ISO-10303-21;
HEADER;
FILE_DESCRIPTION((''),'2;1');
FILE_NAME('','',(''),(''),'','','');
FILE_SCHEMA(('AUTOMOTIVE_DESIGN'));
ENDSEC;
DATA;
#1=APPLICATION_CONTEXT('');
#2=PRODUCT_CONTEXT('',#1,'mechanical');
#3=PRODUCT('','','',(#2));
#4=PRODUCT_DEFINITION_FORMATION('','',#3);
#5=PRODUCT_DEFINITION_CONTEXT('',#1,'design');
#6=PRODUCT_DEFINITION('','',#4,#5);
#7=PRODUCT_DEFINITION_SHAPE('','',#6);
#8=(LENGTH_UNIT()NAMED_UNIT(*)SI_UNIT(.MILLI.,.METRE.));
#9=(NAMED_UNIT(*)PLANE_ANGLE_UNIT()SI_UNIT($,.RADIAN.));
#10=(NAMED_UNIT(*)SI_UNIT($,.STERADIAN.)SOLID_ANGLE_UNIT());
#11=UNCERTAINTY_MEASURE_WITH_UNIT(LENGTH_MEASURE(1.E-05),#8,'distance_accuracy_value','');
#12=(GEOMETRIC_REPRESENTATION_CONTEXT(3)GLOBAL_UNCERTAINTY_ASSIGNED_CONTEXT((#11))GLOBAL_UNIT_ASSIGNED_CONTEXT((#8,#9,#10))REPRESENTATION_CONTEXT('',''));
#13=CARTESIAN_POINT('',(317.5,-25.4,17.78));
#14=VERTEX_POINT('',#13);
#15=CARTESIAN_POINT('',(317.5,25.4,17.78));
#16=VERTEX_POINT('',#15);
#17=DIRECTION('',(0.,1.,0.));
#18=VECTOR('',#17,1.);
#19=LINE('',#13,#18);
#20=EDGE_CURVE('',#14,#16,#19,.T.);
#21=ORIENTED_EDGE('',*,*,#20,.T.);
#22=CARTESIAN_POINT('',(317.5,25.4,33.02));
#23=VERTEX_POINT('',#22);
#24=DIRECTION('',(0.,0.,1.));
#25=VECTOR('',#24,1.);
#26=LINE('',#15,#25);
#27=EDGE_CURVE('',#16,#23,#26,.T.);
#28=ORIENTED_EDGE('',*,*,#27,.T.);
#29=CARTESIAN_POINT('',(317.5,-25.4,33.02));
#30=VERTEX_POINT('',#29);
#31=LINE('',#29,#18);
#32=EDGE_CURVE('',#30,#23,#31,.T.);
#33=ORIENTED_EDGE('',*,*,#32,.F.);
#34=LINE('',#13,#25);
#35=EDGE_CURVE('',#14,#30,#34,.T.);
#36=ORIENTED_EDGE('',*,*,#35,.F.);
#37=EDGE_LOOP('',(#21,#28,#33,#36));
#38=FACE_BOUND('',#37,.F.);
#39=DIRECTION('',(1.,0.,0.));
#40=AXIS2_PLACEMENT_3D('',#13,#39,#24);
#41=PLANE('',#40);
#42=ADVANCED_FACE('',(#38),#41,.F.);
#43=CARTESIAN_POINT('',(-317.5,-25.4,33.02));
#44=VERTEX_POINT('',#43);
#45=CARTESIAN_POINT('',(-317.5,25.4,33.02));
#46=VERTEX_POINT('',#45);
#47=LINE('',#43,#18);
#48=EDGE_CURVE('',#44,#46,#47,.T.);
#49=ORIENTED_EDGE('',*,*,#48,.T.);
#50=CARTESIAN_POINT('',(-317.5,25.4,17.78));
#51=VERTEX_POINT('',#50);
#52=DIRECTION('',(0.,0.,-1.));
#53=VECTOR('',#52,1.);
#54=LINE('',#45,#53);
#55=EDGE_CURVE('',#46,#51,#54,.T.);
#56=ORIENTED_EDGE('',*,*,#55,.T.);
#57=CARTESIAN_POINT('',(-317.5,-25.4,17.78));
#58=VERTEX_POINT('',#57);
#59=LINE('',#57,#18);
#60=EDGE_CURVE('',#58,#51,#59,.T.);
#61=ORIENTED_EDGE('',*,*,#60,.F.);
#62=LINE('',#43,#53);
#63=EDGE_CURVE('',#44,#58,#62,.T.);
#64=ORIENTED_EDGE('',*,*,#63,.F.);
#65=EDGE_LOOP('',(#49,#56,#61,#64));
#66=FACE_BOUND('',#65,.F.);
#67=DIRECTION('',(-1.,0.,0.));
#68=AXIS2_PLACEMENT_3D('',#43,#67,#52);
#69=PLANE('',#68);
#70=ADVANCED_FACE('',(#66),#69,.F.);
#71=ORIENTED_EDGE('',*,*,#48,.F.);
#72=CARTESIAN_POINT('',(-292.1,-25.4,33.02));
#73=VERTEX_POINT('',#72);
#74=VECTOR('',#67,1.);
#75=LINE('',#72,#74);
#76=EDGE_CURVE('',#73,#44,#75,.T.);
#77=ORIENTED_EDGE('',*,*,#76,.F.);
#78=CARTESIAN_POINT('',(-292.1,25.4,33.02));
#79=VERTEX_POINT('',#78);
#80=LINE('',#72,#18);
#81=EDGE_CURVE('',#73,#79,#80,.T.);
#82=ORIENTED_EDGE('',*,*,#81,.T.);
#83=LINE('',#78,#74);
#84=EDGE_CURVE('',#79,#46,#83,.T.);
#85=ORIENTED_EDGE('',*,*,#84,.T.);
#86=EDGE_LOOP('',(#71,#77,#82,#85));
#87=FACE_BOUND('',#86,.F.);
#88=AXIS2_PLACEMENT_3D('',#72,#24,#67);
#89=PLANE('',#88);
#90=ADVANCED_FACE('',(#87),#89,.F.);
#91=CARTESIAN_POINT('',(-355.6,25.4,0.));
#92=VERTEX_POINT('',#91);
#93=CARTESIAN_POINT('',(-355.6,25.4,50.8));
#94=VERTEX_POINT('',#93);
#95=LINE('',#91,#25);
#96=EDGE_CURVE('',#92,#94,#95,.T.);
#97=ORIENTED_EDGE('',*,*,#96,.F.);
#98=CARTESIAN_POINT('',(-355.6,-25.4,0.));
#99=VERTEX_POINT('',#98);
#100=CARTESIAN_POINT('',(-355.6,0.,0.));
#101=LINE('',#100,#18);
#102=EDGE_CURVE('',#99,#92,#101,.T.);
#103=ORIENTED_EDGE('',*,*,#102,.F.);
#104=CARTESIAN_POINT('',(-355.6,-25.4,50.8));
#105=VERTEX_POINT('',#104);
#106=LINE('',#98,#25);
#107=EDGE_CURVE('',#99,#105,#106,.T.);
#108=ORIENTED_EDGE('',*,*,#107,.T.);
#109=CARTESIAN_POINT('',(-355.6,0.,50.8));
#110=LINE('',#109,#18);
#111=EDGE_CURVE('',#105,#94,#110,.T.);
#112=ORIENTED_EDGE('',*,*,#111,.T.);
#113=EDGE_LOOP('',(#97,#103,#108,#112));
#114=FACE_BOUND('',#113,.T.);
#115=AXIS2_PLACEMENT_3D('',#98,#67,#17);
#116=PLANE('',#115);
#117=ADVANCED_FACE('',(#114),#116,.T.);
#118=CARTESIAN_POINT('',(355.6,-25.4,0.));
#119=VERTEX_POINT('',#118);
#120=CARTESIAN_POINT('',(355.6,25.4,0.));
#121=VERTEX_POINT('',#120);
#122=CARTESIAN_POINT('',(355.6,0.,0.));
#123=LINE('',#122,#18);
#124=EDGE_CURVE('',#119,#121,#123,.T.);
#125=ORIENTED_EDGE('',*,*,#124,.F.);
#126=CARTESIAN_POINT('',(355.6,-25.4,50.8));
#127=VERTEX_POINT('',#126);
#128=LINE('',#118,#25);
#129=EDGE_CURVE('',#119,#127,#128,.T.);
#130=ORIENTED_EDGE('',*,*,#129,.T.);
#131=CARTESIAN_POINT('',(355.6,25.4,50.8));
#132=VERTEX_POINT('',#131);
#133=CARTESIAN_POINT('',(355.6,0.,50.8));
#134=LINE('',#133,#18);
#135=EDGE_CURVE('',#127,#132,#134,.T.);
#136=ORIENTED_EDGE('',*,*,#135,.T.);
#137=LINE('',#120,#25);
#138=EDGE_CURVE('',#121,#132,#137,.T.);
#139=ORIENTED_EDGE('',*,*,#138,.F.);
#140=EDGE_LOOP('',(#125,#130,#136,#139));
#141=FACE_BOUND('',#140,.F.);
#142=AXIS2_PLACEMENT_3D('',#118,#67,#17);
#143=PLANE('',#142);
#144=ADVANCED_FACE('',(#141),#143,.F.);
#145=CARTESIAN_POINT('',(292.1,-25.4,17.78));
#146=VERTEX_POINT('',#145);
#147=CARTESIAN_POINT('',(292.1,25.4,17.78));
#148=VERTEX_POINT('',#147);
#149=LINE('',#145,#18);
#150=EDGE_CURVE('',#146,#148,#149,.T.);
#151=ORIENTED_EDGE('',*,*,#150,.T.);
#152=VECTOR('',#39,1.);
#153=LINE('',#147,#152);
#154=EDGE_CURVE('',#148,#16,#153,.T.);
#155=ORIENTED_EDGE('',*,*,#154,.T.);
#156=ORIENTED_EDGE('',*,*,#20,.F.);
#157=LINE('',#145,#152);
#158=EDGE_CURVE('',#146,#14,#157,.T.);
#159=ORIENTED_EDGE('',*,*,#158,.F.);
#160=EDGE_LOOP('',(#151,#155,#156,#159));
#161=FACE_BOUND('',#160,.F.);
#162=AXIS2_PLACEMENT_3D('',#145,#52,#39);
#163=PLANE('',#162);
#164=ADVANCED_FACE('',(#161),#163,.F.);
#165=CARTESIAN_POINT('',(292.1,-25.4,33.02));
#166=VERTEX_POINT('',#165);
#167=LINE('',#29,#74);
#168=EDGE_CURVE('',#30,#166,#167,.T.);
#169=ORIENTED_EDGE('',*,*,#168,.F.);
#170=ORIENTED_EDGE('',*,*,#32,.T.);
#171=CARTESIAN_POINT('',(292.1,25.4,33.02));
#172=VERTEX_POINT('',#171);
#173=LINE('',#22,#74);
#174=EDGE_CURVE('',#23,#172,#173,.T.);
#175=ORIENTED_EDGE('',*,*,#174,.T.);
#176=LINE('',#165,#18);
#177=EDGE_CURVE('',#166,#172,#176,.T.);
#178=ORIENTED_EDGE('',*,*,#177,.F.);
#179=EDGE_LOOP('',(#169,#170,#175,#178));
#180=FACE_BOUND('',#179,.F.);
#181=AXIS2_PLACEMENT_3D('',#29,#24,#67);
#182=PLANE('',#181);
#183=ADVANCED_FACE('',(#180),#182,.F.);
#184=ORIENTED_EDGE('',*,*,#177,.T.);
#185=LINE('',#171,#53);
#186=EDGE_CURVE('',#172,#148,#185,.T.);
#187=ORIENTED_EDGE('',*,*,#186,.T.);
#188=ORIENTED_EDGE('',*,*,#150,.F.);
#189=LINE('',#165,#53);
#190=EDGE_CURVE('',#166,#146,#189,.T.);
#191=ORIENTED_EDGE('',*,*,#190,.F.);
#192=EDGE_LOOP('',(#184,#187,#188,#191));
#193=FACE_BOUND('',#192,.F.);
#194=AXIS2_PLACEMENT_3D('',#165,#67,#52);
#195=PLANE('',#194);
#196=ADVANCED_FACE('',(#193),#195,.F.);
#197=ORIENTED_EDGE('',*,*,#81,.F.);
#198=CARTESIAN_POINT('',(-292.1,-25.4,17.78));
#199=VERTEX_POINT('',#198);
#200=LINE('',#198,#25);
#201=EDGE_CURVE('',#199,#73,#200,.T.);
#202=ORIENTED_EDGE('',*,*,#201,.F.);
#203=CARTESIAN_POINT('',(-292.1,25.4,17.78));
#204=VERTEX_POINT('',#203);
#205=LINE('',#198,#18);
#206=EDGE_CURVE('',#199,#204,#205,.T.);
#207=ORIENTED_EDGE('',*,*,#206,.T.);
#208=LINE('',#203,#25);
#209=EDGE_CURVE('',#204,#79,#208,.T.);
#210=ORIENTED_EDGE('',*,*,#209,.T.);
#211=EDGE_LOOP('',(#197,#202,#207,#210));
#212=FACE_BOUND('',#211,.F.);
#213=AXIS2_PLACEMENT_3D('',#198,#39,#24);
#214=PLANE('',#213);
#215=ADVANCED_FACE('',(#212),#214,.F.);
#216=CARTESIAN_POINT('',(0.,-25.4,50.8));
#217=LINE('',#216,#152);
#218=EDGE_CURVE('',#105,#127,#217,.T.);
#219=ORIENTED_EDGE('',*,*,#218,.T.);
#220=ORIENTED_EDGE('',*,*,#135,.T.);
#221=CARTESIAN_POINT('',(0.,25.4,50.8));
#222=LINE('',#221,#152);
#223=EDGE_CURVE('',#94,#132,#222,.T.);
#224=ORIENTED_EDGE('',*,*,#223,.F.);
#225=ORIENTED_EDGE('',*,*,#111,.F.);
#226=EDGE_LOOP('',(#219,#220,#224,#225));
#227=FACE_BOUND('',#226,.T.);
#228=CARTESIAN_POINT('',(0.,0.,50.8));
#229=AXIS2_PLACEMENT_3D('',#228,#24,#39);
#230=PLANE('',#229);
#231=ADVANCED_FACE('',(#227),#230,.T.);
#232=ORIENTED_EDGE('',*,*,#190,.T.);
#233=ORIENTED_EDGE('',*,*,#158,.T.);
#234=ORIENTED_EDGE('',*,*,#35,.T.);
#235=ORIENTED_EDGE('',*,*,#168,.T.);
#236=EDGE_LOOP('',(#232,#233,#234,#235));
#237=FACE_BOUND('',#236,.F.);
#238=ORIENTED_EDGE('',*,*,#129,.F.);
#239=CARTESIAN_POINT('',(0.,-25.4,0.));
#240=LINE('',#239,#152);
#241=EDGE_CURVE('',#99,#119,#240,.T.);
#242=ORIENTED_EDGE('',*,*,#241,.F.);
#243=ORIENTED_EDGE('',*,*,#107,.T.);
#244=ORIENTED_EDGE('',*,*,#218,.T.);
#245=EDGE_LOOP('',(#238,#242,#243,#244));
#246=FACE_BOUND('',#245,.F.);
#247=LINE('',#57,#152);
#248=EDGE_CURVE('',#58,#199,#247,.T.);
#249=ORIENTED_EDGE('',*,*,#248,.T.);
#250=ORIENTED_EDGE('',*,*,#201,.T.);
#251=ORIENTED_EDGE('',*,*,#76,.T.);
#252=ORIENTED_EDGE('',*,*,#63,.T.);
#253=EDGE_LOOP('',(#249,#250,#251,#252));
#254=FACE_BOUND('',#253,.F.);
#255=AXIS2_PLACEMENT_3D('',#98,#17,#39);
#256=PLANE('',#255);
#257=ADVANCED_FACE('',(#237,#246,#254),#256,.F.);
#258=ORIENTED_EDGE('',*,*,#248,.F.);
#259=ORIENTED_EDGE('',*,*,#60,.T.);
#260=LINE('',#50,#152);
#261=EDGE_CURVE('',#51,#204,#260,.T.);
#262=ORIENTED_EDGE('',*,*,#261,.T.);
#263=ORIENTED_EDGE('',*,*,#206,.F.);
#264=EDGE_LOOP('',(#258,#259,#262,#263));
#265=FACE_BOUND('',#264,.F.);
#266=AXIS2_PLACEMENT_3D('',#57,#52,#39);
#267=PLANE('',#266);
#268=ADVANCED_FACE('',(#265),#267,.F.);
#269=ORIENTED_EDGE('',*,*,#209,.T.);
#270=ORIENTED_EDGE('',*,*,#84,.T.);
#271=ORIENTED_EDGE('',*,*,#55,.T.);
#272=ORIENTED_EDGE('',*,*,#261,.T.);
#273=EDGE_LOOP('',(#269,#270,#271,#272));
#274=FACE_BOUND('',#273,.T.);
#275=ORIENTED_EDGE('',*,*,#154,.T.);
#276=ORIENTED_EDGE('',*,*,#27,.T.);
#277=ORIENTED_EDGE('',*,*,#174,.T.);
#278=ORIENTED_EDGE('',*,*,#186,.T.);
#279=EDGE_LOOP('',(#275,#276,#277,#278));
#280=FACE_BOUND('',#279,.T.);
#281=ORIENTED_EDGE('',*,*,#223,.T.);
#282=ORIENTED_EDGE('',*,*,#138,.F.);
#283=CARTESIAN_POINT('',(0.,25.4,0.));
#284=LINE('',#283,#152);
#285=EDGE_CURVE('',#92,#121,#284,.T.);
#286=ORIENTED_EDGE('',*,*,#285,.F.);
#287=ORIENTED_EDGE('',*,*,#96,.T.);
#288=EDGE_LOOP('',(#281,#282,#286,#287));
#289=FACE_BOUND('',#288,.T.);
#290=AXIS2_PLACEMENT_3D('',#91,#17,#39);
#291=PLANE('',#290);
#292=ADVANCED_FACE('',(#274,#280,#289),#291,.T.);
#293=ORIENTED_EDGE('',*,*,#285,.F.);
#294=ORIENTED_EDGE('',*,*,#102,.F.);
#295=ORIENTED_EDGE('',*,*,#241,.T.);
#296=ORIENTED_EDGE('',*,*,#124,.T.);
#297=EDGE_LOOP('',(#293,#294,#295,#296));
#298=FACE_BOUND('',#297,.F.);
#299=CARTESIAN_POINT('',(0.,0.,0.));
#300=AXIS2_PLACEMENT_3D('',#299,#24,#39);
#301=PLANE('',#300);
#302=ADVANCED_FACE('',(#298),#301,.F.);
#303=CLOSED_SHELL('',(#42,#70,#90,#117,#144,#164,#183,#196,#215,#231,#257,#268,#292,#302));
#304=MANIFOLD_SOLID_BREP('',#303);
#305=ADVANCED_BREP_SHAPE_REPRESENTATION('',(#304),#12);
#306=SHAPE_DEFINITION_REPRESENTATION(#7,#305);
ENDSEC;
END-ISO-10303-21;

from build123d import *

# Parameters (mm, degrees)
F0_W     = 711.2
F0_H     = 50.8
F1_DEPTH = 50.8
F3_DEPTH = 50.8
F5_DEPTH = 50.8


with BuildPart() as f1:
    # F0 (on Top) → F1 (new body)
    with BuildSketch(Plane.XY):
        Rectangle(F0_W, F0_H)
    extrude(amount=F1_DEPTH)

    # F2 (on face) → F3 (cut)
    with BuildSketch(Plane.XZ.offset(25.4)):
        Polygon((-292.1, 33.02), (-317.5, 33.02), (-317.5, 25.4), (-317.5, 17.78), (-292.1, 17.78), align=None)
    extrude(amount=-F3_DEPTH, mode=Mode.SUBTRACT)

    # F4 (on face) → F5 (cut)
    with BuildSketch(Plane.XZ.offset(25.4)):
        Polygon((317.5, 25.4), (317.5, 33.02), (292.1, 33.02), (292.1, 17.78), (317.5, 17.78), align=None)
    extrude(amount=-F5_DEPTH, mode=Mode.SUBTRACT)


solid = f1.part
